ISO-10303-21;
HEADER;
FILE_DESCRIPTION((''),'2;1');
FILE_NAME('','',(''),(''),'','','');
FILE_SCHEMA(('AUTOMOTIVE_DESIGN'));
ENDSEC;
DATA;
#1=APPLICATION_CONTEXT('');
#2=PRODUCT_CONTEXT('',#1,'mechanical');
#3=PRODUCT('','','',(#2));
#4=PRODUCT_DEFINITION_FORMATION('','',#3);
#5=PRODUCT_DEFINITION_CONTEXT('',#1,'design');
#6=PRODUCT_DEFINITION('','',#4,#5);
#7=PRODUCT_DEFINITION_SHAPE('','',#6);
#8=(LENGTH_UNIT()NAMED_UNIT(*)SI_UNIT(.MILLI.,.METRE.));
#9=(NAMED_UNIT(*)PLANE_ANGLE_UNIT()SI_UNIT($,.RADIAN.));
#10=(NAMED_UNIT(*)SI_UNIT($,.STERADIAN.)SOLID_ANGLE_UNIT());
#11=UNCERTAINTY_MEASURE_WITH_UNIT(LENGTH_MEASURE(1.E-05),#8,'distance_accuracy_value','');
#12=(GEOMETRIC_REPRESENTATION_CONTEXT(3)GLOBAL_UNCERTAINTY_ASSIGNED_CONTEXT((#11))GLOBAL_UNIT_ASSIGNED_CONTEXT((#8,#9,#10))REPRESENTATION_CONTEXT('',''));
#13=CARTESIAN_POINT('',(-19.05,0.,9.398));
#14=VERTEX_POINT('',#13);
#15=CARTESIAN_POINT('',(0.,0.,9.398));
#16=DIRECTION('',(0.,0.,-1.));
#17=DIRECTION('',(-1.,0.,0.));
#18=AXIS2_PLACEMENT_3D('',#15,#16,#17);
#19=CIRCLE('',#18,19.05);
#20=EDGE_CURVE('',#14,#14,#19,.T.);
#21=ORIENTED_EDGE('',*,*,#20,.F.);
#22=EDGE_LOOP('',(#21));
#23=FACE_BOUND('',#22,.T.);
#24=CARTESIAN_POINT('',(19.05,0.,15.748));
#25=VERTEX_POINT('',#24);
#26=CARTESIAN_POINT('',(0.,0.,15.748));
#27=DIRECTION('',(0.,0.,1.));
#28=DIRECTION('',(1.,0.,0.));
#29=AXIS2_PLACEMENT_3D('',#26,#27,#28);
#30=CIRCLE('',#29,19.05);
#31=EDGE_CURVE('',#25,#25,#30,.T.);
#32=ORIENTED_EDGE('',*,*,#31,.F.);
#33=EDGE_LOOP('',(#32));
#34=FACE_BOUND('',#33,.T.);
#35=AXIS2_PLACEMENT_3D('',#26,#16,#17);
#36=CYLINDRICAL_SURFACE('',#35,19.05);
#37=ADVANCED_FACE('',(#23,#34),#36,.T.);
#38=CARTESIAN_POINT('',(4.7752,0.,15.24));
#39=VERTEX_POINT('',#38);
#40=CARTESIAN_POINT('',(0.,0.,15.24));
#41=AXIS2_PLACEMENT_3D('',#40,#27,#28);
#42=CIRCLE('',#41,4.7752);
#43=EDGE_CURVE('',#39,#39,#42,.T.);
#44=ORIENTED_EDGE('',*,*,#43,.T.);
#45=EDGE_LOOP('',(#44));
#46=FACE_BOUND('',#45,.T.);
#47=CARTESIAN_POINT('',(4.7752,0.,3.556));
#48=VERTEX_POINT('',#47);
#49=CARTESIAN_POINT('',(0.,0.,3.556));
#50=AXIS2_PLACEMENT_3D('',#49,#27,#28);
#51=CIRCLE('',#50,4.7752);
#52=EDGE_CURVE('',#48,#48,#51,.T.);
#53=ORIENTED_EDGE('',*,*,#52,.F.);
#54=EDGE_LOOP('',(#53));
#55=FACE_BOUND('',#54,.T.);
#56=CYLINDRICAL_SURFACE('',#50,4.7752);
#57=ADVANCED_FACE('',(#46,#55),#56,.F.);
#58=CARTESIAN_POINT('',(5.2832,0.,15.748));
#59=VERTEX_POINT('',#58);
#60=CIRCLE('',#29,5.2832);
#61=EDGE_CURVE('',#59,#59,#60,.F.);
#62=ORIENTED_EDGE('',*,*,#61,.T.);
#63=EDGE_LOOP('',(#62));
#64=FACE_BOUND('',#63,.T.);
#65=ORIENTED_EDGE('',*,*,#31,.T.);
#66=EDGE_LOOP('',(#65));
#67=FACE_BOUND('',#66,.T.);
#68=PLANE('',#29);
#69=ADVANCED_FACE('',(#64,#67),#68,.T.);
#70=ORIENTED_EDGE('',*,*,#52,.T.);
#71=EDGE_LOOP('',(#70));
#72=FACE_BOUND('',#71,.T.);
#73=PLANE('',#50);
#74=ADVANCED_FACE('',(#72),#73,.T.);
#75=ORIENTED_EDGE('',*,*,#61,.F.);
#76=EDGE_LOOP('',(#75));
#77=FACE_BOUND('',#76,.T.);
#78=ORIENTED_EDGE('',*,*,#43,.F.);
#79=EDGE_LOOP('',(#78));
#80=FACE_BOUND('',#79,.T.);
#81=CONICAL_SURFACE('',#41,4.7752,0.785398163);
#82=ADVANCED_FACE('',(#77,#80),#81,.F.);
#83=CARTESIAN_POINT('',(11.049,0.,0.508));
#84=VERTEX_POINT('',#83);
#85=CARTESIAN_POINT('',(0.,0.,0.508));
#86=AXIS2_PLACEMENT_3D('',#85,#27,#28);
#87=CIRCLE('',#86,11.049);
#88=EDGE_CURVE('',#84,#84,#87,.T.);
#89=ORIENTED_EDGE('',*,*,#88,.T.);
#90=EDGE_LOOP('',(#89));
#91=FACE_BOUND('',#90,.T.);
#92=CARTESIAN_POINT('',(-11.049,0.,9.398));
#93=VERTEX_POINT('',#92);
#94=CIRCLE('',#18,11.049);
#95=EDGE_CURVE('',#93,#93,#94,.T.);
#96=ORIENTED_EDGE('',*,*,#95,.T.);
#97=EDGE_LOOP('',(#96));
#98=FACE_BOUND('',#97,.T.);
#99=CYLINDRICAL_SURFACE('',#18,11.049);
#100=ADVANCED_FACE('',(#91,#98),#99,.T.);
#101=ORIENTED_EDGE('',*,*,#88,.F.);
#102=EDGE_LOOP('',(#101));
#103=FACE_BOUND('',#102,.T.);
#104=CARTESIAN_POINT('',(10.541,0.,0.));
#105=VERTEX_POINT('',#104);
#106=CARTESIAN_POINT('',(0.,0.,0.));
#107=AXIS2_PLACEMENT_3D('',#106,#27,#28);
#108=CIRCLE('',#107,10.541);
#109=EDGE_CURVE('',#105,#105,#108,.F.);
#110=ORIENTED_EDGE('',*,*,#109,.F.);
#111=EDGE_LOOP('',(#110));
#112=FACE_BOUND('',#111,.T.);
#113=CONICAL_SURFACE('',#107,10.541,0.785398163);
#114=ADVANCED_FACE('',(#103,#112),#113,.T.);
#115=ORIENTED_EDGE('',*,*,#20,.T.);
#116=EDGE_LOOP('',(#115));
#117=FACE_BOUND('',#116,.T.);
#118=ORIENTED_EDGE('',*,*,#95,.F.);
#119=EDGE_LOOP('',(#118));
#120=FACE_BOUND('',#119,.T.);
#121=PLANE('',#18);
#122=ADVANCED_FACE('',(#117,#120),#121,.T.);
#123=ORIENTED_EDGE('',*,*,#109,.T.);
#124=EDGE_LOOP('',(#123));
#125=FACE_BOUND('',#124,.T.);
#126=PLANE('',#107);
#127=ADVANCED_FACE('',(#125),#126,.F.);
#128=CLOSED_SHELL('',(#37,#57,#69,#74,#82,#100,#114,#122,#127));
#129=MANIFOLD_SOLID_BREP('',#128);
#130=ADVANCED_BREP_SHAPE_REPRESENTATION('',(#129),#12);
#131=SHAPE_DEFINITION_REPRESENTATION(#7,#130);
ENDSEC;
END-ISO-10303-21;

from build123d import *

# Parameters (mm, degrees)
SKETCH1_R          = 19.05
EXTRUDE1_DEPTH     = 15.748
SKETCH2_R          = 19.05
SKETCH2_R_2        = 11.049
CUT_EXTRUDE1_DEPTH = 9.398
SKETCH3_R          = 4.7752
CUT_EXTRUDE2_DEPTH = 12.192
CHAMFER1_SIZE      = 0.508


with BuildPart() as part:
    # Sketch1 → Extrude1 (new body)
    with BuildSketch(Plane.XY):
        Circle(SKETCH1_R)
    extrude(amount=EXTRUDE1_DEPTH)

    # Sketch2 → Cut-Extrude1 (cut)
    with BuildSketch(Plane(origin=(0, 0, 0), x_dir=(-1, 0, 0), z_dir=(0, 0, -1))):
        Circle(SKETCH2_R)
        Circle(SKETCH2_R_2, mode=Mode.SUBTRACT)
    extrude(amount=-CUT_EXTRUDE1_DEPTH, mode=Mode.SUBTRACT)

    # Sketch3 → Cut-Extrude2 (cut)
    with BuildSketch(Plane.XY.offset(15.748)):
        Circle(SKETCH3_R)
    extrude(amount=-CUT_EXTRUDE2_DEPTH, mode=Mode.SUBTRACT)

    # Chamfer1
    chamfer1_edges = [part.edges().sort_by_distance(p)[0] for p in [
        (-4.7752, 0, 15.748),
        (11.049, 0, 0),
    ]]
    chamfer(chamfer1_edges, length=CHAMFER1_SIZE)


solid = part.part
